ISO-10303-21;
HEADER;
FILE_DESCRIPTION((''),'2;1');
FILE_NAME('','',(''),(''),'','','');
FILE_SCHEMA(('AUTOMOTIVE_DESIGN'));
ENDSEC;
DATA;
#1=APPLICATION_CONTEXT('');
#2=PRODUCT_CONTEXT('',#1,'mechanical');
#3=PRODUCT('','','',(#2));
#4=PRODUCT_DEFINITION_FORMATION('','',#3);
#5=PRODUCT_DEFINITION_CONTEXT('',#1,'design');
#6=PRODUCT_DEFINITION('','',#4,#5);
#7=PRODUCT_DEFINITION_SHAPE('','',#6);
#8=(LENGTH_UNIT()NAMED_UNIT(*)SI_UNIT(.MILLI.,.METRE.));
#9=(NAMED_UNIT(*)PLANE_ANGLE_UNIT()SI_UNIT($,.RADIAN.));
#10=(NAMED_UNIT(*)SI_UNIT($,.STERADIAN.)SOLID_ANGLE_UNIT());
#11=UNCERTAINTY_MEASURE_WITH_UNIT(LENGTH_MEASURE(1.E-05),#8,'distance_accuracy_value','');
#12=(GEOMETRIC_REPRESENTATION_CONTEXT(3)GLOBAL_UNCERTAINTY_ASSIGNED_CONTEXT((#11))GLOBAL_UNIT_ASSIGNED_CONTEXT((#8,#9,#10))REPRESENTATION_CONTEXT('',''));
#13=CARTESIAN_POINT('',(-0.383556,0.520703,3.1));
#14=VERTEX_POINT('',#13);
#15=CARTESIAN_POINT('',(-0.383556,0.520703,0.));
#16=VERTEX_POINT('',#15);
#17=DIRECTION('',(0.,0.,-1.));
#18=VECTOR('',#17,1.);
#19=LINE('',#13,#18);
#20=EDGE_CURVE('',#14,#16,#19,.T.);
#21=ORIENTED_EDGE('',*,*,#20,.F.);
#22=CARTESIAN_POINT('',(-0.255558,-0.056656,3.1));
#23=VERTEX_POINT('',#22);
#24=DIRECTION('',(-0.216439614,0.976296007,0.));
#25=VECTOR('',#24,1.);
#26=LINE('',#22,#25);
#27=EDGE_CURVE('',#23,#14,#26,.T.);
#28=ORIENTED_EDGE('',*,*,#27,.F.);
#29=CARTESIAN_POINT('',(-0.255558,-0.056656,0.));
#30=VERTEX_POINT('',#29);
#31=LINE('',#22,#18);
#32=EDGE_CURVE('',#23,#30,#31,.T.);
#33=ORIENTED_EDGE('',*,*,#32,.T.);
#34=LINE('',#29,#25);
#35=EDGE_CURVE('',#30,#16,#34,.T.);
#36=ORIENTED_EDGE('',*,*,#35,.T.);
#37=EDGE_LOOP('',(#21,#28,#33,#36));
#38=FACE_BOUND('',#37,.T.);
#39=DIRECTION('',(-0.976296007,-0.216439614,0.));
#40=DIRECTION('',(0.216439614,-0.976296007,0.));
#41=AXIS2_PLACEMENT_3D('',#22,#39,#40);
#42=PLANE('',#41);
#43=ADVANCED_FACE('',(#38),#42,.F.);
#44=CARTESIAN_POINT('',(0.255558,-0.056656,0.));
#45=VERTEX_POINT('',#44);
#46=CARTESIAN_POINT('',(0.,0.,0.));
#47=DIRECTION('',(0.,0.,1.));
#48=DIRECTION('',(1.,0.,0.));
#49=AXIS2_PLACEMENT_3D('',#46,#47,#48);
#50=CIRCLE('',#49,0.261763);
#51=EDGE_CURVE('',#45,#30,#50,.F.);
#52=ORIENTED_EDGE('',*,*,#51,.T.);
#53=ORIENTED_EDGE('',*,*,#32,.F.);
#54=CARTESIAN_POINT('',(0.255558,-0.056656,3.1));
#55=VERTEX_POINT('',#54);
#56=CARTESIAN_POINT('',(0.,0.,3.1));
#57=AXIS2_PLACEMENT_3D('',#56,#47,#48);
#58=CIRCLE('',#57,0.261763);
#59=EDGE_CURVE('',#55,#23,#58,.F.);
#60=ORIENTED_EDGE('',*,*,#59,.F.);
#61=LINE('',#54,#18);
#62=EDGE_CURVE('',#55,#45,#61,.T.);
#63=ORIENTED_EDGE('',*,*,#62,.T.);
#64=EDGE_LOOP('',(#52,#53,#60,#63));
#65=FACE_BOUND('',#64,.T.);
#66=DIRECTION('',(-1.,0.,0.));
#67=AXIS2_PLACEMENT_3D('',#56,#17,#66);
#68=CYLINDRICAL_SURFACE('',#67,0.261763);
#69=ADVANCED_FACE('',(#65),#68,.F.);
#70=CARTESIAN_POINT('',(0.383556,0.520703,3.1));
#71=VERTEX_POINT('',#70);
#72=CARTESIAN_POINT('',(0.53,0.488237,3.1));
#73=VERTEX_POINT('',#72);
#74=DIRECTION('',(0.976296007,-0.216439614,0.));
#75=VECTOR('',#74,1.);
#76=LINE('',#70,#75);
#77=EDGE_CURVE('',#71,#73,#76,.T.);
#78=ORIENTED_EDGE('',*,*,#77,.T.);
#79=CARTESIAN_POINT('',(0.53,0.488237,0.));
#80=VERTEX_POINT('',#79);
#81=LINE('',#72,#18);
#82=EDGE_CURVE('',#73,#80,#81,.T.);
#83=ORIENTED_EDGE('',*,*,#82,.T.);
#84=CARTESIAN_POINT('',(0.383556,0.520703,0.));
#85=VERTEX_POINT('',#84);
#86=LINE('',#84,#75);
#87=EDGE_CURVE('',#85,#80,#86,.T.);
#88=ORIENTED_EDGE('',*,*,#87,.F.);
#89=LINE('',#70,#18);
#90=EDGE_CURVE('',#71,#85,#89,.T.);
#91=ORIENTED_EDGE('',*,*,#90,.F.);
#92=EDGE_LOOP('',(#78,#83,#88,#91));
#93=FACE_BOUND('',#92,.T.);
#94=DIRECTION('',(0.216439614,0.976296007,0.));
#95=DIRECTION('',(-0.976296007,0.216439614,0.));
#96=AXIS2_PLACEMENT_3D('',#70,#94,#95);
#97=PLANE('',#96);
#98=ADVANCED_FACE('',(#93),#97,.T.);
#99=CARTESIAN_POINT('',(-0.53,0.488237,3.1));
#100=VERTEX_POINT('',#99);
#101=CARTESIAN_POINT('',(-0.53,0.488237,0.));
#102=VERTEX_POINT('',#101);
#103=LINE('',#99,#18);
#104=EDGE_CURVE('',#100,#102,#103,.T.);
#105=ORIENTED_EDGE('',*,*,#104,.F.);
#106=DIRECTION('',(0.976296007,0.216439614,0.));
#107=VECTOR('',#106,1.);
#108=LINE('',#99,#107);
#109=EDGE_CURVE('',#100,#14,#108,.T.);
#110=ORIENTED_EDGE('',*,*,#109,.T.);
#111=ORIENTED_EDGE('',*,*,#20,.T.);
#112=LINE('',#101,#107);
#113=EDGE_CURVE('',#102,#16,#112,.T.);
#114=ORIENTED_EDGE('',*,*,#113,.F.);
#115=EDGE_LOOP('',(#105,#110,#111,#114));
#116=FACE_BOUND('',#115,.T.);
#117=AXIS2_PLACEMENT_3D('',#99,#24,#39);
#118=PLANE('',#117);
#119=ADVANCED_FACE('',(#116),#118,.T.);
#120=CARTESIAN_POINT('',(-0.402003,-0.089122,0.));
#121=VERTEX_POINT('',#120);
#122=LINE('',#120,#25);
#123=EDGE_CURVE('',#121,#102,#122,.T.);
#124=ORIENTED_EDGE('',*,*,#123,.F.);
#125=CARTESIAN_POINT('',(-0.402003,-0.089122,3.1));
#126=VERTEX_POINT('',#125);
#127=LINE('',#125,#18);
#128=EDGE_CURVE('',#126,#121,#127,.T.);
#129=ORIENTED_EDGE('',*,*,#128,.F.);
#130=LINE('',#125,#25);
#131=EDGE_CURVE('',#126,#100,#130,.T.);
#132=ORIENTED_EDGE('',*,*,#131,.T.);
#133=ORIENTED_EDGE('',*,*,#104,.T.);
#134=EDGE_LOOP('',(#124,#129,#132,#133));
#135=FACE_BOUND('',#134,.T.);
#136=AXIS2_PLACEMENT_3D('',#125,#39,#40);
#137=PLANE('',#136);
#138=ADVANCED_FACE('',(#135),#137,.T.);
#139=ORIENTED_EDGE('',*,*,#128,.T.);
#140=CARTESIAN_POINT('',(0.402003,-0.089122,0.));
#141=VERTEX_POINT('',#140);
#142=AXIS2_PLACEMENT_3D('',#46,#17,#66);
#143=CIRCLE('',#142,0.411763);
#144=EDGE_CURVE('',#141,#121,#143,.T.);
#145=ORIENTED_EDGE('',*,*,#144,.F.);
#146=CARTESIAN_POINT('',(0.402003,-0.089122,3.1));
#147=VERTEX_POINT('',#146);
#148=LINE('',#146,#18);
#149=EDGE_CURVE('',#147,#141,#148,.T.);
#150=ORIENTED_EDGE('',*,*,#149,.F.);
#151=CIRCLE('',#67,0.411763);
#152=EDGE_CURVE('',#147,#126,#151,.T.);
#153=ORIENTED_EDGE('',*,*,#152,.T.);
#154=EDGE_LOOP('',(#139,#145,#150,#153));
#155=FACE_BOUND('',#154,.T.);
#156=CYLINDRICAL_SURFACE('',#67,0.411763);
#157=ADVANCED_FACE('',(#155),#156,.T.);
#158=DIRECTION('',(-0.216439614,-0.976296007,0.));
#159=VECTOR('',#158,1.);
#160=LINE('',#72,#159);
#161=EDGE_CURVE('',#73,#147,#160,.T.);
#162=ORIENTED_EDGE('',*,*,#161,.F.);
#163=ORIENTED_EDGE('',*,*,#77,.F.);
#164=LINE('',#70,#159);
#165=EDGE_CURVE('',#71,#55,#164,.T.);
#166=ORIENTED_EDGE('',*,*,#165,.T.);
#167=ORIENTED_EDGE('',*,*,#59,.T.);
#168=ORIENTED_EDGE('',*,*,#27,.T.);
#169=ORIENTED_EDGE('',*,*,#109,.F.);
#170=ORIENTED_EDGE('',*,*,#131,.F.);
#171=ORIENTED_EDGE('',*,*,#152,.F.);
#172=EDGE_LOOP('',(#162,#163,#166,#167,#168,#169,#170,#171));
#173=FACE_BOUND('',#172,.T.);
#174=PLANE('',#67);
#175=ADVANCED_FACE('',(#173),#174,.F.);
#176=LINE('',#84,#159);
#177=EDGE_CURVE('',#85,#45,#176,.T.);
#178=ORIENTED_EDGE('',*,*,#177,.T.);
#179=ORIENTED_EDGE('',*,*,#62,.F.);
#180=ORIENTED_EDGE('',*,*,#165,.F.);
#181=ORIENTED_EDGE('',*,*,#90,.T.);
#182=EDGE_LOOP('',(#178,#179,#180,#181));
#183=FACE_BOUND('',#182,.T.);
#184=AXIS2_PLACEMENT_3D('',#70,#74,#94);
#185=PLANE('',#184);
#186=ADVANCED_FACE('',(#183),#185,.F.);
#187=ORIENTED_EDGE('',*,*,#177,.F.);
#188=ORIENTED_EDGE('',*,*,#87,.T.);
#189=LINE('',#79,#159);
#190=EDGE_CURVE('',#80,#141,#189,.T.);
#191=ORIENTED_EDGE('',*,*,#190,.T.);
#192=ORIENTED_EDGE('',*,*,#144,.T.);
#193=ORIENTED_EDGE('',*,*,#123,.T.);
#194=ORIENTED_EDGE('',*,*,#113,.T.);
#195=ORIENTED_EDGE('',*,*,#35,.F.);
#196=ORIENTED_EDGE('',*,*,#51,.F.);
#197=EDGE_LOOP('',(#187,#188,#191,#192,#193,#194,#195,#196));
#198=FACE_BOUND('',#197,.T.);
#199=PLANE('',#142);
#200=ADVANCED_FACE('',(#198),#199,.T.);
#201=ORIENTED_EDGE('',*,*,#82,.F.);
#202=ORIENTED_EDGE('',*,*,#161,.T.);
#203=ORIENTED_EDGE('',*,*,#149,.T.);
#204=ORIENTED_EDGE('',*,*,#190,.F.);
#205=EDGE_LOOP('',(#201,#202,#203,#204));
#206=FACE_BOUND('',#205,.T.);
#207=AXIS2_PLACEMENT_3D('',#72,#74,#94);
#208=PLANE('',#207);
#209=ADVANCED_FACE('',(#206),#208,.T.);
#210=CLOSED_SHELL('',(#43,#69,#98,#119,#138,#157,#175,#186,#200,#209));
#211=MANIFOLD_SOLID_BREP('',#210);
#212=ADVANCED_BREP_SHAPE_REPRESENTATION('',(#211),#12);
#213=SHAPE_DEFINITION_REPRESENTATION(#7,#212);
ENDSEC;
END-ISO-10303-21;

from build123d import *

# Parameters (mm, degrees)
EXTRUDE_THIN1_DEPTH = 3.1


with BuildPart() as part:
    # Sketch1 → Extrude-Thin1 (new body)
    with BuildSketch(Plane.XY):
        with BuildLine():
            Line((0.53, 0.488236929), (0.402002643, -0.08912184))
            ThreePointArc((0.402002643, -0.08912184), (0, -0.411763071), (-0.402002643, -0.08912184))
            Line((-0.402002643, -0.08912184), (-0.53, 0.488236929))
            Line((-0.53, 0.488236929), (-0.383555599, 0.520702871))
            Line((-0.383555599, 0.520702871), (-0.255558241, -0.056655898))
            ThreePointArc((-0.255558241, -0.056655898), (0, -0.261763071), (0.255558241, -0.056655898))
            Line((0.255558241, -0.056655898), (0.383555599, 0.520702871))
            Line((0.383555599, 0.520702871), (0.53, 0.488236929))
        make_face()
    extrude(amount=EXTRUDE_THIN1_DEPTH)


solid = part.part
